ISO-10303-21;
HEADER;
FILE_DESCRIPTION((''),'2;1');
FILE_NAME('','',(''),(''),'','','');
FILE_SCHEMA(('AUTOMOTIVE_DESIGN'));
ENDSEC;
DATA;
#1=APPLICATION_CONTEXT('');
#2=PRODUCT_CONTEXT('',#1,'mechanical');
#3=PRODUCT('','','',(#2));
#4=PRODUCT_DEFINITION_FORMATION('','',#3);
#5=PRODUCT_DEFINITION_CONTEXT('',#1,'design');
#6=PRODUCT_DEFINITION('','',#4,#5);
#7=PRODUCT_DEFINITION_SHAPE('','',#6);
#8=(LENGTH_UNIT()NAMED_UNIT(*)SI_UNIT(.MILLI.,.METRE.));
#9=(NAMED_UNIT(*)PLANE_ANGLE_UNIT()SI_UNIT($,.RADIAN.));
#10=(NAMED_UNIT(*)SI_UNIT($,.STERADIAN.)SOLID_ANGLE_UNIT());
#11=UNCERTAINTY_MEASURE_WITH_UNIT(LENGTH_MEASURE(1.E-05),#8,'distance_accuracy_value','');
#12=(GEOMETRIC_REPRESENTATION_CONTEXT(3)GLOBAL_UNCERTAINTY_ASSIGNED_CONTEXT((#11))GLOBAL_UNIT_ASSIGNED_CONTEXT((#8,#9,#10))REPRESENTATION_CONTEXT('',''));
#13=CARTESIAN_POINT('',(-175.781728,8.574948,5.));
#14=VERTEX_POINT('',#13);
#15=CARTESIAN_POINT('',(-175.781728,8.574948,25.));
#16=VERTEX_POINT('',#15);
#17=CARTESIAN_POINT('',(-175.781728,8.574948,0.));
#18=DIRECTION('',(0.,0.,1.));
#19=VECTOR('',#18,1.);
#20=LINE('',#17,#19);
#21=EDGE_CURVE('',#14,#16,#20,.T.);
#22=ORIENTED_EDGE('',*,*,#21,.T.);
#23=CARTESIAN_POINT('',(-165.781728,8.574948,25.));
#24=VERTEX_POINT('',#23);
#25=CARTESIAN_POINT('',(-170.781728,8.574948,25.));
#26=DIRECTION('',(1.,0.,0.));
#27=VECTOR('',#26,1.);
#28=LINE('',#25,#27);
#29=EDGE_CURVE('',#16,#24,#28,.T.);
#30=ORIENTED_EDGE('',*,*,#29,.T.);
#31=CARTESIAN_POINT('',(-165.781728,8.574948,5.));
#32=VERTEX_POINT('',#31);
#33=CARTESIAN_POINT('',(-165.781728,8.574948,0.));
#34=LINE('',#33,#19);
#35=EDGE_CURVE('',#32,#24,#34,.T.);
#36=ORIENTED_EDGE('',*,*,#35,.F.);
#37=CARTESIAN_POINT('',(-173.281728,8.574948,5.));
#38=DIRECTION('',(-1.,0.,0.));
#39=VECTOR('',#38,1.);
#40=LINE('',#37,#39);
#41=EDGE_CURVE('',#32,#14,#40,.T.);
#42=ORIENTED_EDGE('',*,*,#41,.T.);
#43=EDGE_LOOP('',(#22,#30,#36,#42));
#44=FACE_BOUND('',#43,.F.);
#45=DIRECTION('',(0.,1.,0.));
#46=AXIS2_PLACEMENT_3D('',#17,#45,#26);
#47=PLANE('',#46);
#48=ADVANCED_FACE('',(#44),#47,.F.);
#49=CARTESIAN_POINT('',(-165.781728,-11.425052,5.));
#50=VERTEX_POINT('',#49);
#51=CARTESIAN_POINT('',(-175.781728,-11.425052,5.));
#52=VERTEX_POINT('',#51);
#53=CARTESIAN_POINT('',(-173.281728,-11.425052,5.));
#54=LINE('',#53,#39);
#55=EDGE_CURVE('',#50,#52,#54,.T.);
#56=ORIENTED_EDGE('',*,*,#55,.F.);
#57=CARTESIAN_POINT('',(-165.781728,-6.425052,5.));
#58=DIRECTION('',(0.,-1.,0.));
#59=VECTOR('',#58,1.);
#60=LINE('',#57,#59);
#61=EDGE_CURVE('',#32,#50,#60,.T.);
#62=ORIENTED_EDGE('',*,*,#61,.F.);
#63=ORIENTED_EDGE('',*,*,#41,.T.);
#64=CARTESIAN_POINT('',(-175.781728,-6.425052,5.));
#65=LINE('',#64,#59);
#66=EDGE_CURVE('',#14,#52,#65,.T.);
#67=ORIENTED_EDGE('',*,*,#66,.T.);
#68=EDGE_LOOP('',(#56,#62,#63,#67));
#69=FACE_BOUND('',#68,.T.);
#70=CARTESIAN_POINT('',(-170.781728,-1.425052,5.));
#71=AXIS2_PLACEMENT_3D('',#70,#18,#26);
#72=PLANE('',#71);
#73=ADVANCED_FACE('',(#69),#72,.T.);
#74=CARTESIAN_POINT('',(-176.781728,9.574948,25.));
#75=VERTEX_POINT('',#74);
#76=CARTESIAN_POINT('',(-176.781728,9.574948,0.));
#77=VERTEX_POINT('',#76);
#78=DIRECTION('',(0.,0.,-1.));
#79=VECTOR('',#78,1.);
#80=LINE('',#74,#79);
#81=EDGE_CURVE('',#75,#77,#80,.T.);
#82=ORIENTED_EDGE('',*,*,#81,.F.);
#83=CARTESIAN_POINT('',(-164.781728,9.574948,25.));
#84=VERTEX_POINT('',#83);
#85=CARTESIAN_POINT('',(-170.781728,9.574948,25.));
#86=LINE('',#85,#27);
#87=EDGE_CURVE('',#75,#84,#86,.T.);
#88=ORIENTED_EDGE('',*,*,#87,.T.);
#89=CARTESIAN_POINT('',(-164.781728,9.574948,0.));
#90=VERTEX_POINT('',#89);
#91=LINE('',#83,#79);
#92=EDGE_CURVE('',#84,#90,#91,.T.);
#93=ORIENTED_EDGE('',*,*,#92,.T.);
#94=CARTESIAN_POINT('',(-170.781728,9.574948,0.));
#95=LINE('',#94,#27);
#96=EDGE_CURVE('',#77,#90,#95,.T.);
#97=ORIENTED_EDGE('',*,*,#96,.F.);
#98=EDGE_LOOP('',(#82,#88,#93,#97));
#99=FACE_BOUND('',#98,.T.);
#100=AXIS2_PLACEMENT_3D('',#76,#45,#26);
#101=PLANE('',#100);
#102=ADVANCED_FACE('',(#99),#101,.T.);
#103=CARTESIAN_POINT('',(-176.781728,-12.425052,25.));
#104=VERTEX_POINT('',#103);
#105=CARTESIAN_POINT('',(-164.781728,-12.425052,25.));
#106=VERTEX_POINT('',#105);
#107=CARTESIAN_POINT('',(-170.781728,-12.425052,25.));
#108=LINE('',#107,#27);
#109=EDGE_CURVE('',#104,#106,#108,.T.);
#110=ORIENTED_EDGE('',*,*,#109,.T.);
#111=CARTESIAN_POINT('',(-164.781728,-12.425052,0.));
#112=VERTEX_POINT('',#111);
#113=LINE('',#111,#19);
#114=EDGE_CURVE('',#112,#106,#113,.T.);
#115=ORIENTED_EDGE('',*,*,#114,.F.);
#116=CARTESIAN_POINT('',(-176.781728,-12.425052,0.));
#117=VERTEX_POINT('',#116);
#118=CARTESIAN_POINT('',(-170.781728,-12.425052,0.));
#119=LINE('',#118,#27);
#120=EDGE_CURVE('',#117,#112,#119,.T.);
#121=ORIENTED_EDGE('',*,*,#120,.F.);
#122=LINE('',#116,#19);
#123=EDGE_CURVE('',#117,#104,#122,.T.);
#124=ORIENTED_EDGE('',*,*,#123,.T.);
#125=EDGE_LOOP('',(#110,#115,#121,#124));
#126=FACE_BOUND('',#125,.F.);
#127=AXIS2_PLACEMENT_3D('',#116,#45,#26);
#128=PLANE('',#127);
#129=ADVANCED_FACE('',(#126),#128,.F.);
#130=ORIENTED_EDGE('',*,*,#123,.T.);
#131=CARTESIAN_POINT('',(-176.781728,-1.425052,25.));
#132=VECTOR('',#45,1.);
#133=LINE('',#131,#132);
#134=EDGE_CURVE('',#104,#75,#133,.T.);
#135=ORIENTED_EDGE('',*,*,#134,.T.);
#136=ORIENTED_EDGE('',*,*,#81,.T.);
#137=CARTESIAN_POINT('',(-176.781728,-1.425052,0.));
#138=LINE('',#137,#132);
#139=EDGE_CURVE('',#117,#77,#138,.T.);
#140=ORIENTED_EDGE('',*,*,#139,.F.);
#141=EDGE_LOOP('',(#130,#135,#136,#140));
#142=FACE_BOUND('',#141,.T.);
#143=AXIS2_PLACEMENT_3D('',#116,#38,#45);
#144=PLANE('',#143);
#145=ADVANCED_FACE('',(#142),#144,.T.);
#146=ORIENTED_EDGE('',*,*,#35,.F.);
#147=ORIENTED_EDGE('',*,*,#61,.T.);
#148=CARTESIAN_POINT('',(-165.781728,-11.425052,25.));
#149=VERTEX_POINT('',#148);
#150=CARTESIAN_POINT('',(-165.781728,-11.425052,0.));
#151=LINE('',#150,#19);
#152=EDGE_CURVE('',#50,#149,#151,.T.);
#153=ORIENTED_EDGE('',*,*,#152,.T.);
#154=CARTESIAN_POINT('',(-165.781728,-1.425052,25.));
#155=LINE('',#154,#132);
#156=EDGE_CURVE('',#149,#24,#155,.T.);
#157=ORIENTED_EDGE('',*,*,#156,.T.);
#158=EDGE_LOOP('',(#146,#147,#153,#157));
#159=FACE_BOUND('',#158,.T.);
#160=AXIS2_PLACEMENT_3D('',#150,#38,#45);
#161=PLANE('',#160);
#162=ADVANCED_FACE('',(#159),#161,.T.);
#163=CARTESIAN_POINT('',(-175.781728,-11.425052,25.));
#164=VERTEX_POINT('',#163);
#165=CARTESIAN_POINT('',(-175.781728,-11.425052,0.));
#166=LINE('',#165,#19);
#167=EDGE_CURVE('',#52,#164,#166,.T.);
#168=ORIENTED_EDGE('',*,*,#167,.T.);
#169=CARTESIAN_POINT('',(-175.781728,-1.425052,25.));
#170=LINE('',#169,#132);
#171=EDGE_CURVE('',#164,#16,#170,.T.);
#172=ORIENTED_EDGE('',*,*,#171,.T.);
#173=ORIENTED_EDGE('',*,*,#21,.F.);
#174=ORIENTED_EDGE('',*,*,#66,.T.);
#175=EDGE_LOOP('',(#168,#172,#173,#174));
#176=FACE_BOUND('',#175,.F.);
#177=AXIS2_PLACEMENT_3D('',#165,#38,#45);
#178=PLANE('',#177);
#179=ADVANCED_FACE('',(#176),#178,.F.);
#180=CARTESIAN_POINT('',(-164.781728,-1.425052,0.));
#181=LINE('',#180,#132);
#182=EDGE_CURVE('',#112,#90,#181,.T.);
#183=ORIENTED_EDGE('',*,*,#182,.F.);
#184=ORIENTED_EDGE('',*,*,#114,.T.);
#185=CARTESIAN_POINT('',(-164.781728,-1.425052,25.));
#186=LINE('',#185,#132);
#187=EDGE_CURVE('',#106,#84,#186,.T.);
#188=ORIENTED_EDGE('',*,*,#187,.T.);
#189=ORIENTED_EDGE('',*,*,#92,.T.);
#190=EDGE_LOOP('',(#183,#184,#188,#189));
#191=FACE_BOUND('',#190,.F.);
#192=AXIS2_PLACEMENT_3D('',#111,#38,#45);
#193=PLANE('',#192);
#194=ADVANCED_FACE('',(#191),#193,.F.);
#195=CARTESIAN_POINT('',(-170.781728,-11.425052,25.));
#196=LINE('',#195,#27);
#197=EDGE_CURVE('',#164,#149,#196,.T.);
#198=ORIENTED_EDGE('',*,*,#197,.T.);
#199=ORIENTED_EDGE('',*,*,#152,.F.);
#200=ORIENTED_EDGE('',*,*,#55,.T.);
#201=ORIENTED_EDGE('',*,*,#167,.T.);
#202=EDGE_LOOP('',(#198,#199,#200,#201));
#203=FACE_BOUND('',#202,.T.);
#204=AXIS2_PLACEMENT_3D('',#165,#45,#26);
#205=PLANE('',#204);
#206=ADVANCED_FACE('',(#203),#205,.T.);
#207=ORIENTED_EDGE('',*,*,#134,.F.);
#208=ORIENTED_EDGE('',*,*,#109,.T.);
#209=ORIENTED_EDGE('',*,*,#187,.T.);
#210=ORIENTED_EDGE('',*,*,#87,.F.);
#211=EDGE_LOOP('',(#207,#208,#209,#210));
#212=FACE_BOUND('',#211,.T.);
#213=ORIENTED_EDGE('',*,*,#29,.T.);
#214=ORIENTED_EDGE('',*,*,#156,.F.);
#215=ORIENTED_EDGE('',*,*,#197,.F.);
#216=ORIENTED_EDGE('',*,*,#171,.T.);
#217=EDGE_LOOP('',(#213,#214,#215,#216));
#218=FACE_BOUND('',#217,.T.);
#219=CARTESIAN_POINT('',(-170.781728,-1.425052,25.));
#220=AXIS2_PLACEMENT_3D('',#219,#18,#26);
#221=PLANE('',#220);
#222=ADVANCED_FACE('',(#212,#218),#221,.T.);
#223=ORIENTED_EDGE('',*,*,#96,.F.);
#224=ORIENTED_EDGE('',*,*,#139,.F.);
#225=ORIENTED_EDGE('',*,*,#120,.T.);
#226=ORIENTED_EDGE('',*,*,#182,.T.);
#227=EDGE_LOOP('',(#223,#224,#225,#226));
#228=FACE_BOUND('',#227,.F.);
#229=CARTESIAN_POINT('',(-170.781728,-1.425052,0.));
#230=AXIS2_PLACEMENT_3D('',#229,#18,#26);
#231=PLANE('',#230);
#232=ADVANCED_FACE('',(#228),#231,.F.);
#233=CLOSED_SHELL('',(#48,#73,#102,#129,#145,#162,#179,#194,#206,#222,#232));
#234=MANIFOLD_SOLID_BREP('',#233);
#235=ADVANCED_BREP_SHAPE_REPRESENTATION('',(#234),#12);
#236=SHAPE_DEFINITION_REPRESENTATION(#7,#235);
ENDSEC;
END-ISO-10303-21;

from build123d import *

# Parameters (mm, degrees)
F0_W     = 12
F0_H     = 22
F0_W_2   = 10
F0_H_2   = 20
F1_DEPTH = 5
F2_DEPTH = 25


with BuildPart() as f1:
    # F0 (on Top) → F1 (new body)
    with BuildSketch(Plane.XY):
        with Locations((-170.7817282314, -1.4250520304)):
            Rectangle(F0_W, F0_H)
        with Locations((-170.7817282314, -1.4250520304)):
            Rectangle(F0_W_2, F0_H_2, mode=Mode.SUBTRACT)
        with Locations((-170.7817282314, -1.4250520304)):
            Rectangle(F0_W_2, F0_H_2)
    extrude(amount=F1_DEPTH)

    # F0 (on Top) → F2 (join)
    with BuildSketch(Plane.XY):
        with Locations((-170.7817282314, -1.4250520304)):
            Rectangle(F0_W, F0_H)
        with Locations((-170.7817282314, -1.4250520304)):
            Rectangle(F0_W_2, F0_H_2, mode=Mode.SUBTRACT)
    extrude(amount=F2_DEPTH)


solid = f1.part
